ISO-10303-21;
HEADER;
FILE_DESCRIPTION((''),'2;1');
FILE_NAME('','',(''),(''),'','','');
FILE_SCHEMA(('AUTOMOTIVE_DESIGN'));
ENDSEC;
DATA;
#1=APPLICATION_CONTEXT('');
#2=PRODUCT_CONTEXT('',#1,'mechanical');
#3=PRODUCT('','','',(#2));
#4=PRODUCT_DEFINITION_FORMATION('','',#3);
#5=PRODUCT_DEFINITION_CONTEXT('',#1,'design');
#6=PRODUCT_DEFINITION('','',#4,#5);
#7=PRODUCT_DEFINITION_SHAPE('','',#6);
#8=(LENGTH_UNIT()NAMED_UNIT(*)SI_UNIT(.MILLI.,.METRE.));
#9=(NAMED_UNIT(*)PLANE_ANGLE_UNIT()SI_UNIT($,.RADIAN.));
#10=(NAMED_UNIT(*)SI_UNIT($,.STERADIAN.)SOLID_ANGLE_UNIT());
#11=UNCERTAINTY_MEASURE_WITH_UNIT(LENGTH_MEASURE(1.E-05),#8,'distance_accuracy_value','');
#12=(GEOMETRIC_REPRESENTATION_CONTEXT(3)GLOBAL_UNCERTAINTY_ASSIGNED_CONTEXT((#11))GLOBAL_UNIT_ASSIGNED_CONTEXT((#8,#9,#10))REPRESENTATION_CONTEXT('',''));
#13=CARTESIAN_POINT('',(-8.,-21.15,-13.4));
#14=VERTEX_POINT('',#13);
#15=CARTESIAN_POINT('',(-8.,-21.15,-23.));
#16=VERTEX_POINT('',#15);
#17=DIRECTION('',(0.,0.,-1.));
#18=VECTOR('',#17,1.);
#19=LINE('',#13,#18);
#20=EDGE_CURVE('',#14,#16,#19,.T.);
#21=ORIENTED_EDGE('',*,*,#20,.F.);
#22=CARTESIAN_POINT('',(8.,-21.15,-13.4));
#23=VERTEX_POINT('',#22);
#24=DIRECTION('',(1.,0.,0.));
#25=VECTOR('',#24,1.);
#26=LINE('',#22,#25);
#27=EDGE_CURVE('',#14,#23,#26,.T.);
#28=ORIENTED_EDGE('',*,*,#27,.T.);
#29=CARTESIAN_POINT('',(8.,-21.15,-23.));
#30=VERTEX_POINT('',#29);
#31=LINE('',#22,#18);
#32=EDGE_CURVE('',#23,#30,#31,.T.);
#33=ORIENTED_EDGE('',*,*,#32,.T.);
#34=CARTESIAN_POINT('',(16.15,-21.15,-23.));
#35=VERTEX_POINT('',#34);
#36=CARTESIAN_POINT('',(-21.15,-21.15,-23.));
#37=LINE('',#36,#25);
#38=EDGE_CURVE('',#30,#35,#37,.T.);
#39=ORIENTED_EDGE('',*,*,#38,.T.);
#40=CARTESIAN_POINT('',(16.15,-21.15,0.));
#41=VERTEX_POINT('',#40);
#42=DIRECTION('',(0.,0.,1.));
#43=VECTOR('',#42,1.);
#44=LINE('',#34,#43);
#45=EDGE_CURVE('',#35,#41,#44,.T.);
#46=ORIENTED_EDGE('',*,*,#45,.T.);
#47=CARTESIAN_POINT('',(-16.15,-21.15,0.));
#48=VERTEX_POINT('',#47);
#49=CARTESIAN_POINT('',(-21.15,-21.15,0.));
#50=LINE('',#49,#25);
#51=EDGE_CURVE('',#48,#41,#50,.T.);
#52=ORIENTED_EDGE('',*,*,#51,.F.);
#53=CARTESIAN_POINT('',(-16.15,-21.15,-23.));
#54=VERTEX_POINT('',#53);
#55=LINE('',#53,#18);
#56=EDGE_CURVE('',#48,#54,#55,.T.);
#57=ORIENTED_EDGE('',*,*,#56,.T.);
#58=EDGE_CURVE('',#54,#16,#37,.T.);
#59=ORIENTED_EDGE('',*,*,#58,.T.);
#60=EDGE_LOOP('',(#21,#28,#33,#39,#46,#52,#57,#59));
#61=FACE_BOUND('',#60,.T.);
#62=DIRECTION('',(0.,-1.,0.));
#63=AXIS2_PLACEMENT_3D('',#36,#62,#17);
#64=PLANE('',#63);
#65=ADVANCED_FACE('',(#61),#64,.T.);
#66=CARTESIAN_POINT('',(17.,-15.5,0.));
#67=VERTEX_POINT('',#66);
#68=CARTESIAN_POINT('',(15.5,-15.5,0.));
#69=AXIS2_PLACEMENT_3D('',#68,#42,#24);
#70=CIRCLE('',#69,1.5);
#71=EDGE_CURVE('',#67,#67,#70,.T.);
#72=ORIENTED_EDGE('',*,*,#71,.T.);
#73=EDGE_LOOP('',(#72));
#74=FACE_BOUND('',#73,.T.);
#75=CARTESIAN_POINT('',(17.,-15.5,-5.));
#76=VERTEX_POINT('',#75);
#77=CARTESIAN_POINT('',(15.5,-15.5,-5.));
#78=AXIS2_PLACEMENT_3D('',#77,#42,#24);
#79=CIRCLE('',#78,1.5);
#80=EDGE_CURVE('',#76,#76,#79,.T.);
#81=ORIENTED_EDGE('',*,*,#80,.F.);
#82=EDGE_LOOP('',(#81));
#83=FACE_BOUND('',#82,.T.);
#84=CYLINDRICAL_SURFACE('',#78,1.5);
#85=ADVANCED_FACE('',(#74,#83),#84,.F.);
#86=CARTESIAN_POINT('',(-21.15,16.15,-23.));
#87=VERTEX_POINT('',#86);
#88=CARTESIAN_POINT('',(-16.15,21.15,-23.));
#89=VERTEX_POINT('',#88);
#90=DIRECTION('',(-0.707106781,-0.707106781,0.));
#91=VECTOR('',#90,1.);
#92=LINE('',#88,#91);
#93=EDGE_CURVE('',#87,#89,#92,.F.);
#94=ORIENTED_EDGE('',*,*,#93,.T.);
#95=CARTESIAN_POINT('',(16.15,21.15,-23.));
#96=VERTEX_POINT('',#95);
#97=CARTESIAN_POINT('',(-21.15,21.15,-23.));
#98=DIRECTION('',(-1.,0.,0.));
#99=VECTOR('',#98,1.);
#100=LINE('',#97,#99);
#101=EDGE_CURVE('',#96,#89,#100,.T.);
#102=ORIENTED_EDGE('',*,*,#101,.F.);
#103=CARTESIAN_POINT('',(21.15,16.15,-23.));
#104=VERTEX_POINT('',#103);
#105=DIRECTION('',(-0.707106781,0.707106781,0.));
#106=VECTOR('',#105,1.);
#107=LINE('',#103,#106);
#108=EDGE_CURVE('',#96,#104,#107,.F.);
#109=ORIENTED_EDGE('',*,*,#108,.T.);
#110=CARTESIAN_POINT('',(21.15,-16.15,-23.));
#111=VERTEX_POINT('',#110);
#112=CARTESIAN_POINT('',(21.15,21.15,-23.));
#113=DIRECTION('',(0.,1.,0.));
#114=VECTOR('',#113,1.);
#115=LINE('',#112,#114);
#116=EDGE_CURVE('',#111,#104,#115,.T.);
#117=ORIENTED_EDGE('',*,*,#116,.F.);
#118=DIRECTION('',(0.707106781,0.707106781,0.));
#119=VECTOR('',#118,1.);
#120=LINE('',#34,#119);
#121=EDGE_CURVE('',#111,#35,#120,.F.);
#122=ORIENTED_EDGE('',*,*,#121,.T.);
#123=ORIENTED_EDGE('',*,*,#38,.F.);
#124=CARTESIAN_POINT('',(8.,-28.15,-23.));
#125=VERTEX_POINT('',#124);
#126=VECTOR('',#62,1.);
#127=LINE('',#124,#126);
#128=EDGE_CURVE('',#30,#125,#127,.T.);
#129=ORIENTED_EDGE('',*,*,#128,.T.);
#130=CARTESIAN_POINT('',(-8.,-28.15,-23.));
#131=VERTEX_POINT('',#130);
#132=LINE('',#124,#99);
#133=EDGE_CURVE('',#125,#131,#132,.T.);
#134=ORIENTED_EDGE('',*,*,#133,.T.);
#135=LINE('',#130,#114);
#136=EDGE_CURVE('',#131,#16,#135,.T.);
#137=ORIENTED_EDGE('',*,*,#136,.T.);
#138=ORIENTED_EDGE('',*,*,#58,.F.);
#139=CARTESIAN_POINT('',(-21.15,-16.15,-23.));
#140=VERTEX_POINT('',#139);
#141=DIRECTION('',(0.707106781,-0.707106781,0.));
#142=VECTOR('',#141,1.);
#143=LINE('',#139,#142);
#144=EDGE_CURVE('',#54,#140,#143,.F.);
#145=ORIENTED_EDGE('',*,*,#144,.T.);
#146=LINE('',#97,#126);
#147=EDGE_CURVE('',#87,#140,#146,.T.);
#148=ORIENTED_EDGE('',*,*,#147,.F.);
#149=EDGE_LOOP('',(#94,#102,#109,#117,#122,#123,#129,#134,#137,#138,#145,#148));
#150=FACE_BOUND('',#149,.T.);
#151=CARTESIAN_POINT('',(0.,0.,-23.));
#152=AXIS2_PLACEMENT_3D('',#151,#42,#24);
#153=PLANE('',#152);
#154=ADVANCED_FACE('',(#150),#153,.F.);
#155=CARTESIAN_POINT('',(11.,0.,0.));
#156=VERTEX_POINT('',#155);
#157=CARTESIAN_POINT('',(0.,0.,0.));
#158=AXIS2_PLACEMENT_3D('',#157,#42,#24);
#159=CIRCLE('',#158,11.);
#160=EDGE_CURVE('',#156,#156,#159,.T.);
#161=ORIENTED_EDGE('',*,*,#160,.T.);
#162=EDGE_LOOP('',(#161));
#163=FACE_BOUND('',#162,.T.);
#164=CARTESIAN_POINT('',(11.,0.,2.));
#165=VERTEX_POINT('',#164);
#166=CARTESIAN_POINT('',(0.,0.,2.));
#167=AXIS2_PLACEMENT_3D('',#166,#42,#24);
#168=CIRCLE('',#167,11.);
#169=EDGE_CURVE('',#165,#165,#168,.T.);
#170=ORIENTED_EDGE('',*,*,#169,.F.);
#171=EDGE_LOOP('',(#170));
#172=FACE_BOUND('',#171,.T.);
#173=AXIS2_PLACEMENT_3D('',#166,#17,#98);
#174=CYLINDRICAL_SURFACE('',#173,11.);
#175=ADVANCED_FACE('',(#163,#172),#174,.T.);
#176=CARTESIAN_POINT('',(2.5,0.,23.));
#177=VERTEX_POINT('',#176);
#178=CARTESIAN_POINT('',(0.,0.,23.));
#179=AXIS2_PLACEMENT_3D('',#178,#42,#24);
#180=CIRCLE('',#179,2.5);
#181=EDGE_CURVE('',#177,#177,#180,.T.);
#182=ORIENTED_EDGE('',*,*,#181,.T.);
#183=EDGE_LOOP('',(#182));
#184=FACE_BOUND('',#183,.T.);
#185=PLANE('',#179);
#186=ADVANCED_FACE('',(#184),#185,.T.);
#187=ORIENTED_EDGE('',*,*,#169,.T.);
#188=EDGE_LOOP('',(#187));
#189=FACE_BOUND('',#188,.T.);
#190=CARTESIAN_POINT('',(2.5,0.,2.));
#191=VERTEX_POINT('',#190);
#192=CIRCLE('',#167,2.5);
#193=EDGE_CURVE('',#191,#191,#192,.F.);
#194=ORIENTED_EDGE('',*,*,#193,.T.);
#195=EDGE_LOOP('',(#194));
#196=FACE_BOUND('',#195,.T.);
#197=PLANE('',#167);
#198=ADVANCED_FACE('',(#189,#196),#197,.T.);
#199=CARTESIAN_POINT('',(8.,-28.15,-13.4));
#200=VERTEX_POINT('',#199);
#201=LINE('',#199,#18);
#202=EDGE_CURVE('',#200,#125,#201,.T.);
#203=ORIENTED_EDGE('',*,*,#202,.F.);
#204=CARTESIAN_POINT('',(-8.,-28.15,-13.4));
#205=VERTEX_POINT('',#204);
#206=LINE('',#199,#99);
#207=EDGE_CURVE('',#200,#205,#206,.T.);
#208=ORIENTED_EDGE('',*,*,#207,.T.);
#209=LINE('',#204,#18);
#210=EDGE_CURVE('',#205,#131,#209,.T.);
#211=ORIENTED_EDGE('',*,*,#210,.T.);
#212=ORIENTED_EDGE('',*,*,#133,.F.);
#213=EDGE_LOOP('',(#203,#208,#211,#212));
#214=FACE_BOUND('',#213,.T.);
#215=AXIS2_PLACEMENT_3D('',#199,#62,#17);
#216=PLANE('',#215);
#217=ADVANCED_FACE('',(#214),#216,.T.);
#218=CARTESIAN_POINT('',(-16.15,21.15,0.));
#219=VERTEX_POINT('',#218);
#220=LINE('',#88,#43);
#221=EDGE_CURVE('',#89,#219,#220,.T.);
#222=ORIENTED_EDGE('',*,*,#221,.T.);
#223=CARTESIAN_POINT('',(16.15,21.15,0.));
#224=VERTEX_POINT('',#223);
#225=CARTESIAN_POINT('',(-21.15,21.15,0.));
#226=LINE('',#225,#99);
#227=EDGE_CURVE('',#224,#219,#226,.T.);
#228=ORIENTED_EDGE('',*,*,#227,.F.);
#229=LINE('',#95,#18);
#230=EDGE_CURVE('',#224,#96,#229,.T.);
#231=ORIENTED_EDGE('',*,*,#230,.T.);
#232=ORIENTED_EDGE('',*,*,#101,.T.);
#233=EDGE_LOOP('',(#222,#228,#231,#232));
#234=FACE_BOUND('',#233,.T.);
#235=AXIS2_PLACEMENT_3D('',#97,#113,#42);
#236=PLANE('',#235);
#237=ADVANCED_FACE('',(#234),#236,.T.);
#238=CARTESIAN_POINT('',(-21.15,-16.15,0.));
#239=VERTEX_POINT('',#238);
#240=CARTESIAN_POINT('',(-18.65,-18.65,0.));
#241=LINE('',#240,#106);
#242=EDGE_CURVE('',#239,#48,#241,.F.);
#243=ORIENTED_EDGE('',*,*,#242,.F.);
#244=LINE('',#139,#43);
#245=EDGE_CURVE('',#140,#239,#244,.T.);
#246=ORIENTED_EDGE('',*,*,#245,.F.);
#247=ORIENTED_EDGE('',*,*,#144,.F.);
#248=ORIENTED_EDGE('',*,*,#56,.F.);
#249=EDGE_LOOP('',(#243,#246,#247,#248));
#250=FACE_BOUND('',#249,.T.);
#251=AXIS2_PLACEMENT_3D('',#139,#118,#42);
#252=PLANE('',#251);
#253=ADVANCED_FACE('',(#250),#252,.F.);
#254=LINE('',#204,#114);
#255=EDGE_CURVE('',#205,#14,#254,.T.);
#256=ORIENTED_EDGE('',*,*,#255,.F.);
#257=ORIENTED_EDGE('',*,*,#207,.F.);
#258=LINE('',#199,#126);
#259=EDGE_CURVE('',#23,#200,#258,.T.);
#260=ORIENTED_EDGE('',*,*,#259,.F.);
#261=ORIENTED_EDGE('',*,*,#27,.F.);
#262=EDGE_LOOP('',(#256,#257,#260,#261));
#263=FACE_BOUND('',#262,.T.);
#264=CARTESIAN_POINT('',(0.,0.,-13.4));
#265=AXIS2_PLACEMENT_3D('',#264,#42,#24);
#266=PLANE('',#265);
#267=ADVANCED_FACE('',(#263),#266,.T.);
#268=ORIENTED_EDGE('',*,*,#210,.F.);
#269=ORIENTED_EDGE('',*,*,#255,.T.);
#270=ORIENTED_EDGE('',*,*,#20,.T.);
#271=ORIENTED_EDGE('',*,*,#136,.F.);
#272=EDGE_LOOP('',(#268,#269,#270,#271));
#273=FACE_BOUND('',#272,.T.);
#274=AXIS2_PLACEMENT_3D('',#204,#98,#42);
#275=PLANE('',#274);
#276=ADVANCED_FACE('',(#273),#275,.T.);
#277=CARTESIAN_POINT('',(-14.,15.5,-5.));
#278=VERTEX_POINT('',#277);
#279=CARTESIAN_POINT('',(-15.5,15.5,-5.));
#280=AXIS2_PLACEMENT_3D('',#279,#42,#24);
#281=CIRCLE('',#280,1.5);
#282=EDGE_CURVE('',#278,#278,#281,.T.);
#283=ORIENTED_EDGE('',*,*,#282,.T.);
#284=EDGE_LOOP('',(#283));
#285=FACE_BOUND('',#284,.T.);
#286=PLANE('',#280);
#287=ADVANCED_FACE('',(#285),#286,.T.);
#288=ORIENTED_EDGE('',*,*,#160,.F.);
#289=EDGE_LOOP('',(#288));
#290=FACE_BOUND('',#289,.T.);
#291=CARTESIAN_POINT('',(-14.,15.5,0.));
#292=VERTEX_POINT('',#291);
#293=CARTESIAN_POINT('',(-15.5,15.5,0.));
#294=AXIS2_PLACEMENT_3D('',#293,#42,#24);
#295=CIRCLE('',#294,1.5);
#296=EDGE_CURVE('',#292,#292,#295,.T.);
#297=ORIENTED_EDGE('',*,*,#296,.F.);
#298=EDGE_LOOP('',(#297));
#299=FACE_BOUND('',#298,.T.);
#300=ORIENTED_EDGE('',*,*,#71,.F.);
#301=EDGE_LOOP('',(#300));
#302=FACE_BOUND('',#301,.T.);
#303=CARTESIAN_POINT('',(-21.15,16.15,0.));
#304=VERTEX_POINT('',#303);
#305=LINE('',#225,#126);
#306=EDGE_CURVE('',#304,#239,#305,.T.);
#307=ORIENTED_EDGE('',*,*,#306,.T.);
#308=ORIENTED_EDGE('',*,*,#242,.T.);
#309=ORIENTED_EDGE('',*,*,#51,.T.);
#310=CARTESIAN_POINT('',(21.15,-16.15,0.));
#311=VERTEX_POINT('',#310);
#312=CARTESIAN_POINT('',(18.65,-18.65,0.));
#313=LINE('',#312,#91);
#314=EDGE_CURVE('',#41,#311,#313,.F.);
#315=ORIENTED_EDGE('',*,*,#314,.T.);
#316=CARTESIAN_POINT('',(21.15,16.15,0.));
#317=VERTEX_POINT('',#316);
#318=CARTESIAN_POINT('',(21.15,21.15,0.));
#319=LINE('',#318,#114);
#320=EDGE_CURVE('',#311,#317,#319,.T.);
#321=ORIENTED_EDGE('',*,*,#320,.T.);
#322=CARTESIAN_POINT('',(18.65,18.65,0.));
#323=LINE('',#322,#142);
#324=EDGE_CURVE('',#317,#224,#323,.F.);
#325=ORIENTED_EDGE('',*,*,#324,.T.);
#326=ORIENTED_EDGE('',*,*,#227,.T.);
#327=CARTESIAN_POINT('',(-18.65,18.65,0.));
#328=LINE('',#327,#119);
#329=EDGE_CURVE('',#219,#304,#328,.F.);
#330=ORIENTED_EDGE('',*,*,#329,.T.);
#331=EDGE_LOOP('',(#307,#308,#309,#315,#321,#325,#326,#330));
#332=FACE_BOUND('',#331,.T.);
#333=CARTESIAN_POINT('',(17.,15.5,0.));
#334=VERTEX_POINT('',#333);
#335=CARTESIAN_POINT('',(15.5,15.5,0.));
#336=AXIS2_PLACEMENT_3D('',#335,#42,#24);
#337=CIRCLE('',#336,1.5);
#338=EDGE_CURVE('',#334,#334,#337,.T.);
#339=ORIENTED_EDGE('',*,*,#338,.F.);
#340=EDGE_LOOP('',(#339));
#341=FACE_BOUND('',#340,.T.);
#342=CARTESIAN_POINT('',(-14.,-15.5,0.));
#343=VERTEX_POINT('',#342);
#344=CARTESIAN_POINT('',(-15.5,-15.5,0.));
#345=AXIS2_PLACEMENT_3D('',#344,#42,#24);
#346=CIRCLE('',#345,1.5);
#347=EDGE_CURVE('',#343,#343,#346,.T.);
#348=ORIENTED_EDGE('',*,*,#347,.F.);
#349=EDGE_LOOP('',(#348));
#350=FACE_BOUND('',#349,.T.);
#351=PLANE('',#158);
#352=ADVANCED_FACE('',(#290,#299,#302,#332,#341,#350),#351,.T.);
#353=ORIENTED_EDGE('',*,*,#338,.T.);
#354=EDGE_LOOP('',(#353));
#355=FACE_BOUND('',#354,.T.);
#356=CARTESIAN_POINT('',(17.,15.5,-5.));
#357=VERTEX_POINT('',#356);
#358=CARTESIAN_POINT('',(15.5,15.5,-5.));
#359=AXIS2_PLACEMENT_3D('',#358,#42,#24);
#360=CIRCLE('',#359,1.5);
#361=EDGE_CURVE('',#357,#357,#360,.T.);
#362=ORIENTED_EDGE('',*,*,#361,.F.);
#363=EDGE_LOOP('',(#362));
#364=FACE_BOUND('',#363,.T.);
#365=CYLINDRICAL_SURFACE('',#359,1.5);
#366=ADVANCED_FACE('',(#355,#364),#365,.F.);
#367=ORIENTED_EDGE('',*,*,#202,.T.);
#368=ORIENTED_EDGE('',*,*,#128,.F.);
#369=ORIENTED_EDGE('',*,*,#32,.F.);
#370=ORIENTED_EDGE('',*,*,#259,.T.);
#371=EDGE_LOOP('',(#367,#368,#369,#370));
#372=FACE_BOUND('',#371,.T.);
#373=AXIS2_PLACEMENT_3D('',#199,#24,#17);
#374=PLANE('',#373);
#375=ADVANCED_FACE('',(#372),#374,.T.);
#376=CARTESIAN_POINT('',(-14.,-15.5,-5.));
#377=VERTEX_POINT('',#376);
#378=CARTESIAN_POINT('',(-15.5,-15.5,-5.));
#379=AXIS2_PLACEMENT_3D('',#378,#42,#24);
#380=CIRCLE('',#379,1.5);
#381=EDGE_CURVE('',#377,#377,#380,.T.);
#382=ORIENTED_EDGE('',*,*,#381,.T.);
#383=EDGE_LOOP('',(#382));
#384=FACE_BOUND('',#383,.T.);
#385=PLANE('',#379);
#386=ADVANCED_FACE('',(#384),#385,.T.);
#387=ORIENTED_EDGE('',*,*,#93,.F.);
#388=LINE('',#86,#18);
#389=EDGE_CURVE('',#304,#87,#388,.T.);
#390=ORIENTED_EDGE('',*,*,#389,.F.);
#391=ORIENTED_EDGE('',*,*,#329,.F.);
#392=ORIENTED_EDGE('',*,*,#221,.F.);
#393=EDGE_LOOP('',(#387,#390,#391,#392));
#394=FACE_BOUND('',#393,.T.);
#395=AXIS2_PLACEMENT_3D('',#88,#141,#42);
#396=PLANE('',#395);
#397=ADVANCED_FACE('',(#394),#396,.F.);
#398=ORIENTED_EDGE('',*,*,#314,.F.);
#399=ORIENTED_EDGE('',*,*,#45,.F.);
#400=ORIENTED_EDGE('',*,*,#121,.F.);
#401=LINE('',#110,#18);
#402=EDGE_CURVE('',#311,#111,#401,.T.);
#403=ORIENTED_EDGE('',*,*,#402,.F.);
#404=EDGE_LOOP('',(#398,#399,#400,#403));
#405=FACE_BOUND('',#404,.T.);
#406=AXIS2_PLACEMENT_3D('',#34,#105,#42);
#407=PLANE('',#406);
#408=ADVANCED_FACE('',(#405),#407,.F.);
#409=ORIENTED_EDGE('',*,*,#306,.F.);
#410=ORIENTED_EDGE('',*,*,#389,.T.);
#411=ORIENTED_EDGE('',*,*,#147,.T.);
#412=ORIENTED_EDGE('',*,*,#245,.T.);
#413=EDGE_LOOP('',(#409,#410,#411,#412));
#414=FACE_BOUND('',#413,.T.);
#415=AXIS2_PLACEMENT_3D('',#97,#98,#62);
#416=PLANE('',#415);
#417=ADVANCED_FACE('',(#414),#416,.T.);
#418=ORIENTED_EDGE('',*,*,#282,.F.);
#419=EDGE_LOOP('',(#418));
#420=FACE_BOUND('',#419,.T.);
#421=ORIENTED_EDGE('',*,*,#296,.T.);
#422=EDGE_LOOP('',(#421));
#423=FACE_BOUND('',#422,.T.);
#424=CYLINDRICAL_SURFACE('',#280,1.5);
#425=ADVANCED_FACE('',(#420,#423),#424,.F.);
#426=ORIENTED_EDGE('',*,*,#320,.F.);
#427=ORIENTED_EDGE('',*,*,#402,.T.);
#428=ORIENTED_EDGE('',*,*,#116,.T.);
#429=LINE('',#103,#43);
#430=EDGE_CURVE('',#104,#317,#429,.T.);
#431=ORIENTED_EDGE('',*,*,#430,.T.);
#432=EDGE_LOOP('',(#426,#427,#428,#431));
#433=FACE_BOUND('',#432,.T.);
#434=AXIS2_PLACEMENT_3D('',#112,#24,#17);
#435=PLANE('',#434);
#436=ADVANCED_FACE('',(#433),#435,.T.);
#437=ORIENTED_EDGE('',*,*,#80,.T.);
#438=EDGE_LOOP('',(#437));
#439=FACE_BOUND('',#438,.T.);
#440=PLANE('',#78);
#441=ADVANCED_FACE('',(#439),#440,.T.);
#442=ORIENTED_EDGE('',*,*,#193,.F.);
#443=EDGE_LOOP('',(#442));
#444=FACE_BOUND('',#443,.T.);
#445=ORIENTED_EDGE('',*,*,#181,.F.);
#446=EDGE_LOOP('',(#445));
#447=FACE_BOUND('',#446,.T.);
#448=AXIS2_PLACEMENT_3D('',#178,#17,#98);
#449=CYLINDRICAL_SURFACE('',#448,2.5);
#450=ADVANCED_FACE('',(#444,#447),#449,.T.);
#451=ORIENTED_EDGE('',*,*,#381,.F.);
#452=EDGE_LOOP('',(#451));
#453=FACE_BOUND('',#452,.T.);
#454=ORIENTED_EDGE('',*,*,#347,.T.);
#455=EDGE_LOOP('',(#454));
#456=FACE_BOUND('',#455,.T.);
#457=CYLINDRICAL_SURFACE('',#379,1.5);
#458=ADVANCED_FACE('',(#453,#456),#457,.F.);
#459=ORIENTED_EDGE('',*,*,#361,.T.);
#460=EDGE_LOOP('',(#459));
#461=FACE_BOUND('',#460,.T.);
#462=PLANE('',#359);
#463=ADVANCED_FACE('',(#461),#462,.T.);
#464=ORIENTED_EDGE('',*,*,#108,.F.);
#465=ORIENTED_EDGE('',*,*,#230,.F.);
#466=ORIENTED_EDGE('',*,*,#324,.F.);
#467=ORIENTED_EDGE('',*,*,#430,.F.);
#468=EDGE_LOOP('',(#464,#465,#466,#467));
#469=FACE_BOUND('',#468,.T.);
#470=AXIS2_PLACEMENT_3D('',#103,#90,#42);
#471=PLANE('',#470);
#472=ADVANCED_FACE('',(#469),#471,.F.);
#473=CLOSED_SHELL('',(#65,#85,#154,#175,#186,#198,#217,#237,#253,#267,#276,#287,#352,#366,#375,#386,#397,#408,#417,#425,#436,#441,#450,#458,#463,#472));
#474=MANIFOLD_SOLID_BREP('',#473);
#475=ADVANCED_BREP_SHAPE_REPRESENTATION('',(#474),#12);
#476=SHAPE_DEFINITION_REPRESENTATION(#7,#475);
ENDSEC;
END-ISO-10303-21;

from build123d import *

# Parameters (mm, degrees)
SKETCH1_W           = 42.3
SKETCH1_H           = 42.3
BOSS_EXTRUDE1_DEPTH = 23
CHAMFER1_SIZE       = 5
SKETCH3_R           = 1.5
CUT_EXTRUDE1_DEPTH  = 5
SKETCH4_R           = 11
BOSS_EXTRUDE2_DEPTH = 2
SKETCH5_R           = 2.5
BOSS_EXTRUDE3_DEPTH = 23
SKETCH6_W           = 16
SKETCH6_H           = 7
BOSS_EXTRUDE4_DEPTH = 9.6


with BuildPart() as part:
    # Sketch1 → Boss-Extrude1 (new body)
    with BuildSketch(Plane.XY):
        Rectangle(SKETCH1_W, SKETCH1_H)
    extrude(amount=-BOSS_EXTRUDE1_DEPTH)

    # Chamfer1
    chamfer1_edges = [part.edges().sort_by_distance(p)[0] for p in [
        (21.15, -21.15, -11.5),
        (-21.15, -21.15, -11.5),
        (-21.15, 21.15, -11.5),
        (21.15, 21.15, -11.5),
    ]]
    chamfer(chamfer1_edges, length=CHAMFER1_SIZE)

    # Sketch3 → Cut-Extrude1 (cut)
    with BuildSketch(Plane.XY):
        with Locations((15.5, -15.5)):
            Circle(SKETCH3_R)
        with Locations((-15.5, -15.5)):
            Circle(SKETCH3_R)
        with Locations((-15.5, 15.5)):
            Circle(SKETCH3_R)
        with Locations((15.5, 15.5)):
            Circle(SKETCH3_R)
    extrude(amount=-CUT_EXTRUDE1_DEPTH, mode=Mode.SUBTRACT)

    # Sketch4 → Boss-Extrude2 (add)
    with BuildSketch(Plane.XY):
        Circle(SKETCH4_R)
    extrude(amount=BOSS_EXTRUDE2_DEPTH)

    # Sketch5 → Boss-Extrude3 (add)
    with BuildSketch(Plane.XY):
        Circle(SKETCH5_R)
    extrude(amount=BOSS_EXTRUDE3_DEPTH)

    # Sketch6 → Boss-Extrude4 (add)
    with BuildSketch(Plane(origin=(0, 0, -23), x_dir=(-1, 0, 0), z_dir=(0, 0, -1))):
        with Locations((0, -24.65)):
            Rectangle(SKETCH6_W, SKETCH6_H)
    extrude(amount=-BOSS_EXTRUDE4_DEPTH)


solid = part.part
